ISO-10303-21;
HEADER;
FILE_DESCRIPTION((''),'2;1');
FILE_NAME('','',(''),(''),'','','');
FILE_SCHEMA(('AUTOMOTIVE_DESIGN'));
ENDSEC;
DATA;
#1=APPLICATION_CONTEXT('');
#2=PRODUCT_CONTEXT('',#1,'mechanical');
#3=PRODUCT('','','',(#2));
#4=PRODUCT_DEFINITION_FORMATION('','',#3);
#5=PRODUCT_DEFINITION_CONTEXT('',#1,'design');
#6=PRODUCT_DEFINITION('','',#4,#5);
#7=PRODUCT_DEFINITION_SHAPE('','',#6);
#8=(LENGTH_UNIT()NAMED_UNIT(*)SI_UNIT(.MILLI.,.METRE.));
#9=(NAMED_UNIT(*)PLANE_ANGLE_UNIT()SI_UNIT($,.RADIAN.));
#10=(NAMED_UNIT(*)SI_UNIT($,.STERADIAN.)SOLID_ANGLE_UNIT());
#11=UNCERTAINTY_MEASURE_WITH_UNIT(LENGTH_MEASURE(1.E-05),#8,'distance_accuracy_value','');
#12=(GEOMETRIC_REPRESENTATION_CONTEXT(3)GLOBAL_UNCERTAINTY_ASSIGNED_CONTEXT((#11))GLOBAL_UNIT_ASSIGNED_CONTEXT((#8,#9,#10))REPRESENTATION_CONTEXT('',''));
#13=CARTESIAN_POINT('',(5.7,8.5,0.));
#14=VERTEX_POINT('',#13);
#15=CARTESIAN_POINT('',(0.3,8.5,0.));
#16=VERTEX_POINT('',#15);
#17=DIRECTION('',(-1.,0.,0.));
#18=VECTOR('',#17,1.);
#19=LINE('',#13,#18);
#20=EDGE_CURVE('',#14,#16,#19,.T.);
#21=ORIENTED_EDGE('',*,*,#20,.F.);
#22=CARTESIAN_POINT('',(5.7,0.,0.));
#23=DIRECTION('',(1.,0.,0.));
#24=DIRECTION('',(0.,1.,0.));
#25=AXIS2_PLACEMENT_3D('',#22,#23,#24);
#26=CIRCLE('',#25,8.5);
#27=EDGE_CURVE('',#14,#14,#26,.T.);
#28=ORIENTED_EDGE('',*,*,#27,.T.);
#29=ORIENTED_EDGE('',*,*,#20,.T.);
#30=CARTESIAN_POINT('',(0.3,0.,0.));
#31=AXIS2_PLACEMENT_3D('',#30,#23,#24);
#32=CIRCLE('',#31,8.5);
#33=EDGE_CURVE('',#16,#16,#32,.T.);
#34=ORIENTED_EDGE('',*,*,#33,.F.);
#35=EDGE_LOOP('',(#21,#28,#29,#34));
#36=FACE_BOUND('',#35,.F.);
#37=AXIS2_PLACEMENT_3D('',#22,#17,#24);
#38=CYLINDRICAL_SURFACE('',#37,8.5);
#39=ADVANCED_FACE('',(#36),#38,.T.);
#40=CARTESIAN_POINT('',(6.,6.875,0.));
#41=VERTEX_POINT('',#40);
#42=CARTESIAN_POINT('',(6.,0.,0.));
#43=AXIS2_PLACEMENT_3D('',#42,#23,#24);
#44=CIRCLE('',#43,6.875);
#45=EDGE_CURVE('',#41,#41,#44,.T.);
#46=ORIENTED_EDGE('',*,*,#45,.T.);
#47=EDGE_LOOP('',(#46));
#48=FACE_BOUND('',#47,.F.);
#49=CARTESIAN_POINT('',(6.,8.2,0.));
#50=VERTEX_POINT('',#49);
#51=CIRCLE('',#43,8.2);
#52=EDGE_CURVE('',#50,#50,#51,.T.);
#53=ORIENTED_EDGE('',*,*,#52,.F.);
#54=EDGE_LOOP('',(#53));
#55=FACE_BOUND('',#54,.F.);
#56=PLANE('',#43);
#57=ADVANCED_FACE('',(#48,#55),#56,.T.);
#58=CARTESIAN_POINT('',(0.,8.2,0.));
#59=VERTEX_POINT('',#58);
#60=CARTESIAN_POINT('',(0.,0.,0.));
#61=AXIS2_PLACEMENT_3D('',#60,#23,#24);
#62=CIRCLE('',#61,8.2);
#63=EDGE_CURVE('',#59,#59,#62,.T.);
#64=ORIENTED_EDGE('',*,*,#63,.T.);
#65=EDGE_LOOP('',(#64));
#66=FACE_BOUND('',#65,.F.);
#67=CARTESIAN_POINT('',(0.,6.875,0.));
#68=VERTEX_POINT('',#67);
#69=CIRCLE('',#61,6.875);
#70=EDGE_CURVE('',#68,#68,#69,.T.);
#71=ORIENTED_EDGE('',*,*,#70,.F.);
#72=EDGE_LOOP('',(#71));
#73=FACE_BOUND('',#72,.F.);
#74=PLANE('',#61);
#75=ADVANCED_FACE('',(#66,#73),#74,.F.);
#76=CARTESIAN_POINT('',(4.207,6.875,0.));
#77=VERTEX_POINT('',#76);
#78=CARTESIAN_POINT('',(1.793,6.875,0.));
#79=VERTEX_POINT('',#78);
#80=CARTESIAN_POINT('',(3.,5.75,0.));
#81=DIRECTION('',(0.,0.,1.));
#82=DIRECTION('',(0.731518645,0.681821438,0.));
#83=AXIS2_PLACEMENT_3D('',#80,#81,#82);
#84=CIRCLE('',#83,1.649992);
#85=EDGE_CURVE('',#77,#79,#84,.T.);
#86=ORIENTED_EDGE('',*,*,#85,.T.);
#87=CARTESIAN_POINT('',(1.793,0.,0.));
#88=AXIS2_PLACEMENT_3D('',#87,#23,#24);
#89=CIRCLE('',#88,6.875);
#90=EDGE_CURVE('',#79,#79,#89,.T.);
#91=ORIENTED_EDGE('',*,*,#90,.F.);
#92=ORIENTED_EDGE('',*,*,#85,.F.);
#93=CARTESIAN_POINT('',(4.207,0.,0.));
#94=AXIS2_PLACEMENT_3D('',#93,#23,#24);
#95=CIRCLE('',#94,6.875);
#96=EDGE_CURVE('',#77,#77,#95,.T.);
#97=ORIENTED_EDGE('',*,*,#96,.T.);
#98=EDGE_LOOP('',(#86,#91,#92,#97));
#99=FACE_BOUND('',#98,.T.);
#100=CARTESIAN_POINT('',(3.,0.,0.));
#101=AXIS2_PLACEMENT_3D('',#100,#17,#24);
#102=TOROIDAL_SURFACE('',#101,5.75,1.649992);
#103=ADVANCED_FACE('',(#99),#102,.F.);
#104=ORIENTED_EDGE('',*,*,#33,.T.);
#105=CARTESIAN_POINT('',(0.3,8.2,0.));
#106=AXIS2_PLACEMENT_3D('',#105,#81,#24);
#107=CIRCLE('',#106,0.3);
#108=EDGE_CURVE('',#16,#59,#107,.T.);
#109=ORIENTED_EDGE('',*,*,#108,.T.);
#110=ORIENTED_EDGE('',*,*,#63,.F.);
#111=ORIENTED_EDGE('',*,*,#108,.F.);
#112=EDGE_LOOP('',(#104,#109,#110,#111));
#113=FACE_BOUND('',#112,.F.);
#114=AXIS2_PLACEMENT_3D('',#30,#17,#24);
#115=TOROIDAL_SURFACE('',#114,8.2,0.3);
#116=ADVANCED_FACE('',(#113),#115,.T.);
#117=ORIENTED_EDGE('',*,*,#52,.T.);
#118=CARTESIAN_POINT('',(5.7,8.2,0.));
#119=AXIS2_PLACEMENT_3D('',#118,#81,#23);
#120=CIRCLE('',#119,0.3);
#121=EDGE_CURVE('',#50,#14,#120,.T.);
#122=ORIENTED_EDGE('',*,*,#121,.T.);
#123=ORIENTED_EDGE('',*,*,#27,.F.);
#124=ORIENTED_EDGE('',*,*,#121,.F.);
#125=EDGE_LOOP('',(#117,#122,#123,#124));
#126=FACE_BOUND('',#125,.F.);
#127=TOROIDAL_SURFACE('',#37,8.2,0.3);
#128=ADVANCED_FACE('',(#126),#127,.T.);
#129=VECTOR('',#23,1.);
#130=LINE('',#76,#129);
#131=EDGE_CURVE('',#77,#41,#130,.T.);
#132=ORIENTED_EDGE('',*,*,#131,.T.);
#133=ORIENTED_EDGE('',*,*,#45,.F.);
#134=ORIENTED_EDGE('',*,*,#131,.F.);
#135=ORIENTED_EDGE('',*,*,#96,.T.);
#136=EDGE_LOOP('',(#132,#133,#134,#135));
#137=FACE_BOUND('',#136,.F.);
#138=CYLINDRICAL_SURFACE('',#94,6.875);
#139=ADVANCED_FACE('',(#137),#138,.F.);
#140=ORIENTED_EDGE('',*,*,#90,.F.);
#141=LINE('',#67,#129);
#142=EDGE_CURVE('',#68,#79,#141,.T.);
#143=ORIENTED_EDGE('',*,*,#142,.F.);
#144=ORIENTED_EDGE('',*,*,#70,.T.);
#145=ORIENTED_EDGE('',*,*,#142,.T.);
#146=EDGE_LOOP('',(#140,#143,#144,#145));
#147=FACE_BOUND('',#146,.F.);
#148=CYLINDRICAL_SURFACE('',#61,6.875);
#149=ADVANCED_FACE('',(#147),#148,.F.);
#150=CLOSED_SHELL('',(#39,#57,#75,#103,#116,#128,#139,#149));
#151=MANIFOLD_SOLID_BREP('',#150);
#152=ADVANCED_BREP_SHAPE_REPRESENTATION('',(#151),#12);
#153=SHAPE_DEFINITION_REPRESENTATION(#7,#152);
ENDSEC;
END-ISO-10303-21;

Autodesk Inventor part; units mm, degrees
sketch "Sketch_1" plane through (0, 0, 0) normal (0, 0, 1) x (1, 0, 0)
  line L0 (6, 0) -> (0, 0)
  line L1 (0, 6.875) -> (1.793, 6.875)
  arc A0 (4.207, 6.875) -> (1.793, 6.875) centre (3, 5.75) ccw
  line L2 (4.207, 6.875) -> (6, 6.875)
  line L3 (6, 6.875) -> (6, 8.2)
  arc A1 (6, 8.2) -> (5.7, 8.5) centre (5.7, 8.2) ccw
  line L4 (5.7, 8.5) -> (0.3, 8.5)
  arc A2 (0.3, 8.5) -> (0, 8.2) centre (0.3, 8.2) ccw
  line L5 (0, 8.2) -> (0, 6.875)
revolve "Revolution1" add sketch "Sketch_1" angle 360 about axis through (6, 0, 0) along (1, 0, 0)
ref_plane "ip_ot_or_XY" through (0, 0, 0) normal (1, 0, 0) x (0, 0, -1)
ref_plane "ip_ot_or_YZ" through (0, 0, 0) normal (0, 0, -1) x (0, 1, 0)
ref_plane "ip_ot_or_ZX" through (0, 0, 0) normal (0, 1, 0) x (1, 0, 0)
properties part number "606 Outer Ring" material "Steel"
